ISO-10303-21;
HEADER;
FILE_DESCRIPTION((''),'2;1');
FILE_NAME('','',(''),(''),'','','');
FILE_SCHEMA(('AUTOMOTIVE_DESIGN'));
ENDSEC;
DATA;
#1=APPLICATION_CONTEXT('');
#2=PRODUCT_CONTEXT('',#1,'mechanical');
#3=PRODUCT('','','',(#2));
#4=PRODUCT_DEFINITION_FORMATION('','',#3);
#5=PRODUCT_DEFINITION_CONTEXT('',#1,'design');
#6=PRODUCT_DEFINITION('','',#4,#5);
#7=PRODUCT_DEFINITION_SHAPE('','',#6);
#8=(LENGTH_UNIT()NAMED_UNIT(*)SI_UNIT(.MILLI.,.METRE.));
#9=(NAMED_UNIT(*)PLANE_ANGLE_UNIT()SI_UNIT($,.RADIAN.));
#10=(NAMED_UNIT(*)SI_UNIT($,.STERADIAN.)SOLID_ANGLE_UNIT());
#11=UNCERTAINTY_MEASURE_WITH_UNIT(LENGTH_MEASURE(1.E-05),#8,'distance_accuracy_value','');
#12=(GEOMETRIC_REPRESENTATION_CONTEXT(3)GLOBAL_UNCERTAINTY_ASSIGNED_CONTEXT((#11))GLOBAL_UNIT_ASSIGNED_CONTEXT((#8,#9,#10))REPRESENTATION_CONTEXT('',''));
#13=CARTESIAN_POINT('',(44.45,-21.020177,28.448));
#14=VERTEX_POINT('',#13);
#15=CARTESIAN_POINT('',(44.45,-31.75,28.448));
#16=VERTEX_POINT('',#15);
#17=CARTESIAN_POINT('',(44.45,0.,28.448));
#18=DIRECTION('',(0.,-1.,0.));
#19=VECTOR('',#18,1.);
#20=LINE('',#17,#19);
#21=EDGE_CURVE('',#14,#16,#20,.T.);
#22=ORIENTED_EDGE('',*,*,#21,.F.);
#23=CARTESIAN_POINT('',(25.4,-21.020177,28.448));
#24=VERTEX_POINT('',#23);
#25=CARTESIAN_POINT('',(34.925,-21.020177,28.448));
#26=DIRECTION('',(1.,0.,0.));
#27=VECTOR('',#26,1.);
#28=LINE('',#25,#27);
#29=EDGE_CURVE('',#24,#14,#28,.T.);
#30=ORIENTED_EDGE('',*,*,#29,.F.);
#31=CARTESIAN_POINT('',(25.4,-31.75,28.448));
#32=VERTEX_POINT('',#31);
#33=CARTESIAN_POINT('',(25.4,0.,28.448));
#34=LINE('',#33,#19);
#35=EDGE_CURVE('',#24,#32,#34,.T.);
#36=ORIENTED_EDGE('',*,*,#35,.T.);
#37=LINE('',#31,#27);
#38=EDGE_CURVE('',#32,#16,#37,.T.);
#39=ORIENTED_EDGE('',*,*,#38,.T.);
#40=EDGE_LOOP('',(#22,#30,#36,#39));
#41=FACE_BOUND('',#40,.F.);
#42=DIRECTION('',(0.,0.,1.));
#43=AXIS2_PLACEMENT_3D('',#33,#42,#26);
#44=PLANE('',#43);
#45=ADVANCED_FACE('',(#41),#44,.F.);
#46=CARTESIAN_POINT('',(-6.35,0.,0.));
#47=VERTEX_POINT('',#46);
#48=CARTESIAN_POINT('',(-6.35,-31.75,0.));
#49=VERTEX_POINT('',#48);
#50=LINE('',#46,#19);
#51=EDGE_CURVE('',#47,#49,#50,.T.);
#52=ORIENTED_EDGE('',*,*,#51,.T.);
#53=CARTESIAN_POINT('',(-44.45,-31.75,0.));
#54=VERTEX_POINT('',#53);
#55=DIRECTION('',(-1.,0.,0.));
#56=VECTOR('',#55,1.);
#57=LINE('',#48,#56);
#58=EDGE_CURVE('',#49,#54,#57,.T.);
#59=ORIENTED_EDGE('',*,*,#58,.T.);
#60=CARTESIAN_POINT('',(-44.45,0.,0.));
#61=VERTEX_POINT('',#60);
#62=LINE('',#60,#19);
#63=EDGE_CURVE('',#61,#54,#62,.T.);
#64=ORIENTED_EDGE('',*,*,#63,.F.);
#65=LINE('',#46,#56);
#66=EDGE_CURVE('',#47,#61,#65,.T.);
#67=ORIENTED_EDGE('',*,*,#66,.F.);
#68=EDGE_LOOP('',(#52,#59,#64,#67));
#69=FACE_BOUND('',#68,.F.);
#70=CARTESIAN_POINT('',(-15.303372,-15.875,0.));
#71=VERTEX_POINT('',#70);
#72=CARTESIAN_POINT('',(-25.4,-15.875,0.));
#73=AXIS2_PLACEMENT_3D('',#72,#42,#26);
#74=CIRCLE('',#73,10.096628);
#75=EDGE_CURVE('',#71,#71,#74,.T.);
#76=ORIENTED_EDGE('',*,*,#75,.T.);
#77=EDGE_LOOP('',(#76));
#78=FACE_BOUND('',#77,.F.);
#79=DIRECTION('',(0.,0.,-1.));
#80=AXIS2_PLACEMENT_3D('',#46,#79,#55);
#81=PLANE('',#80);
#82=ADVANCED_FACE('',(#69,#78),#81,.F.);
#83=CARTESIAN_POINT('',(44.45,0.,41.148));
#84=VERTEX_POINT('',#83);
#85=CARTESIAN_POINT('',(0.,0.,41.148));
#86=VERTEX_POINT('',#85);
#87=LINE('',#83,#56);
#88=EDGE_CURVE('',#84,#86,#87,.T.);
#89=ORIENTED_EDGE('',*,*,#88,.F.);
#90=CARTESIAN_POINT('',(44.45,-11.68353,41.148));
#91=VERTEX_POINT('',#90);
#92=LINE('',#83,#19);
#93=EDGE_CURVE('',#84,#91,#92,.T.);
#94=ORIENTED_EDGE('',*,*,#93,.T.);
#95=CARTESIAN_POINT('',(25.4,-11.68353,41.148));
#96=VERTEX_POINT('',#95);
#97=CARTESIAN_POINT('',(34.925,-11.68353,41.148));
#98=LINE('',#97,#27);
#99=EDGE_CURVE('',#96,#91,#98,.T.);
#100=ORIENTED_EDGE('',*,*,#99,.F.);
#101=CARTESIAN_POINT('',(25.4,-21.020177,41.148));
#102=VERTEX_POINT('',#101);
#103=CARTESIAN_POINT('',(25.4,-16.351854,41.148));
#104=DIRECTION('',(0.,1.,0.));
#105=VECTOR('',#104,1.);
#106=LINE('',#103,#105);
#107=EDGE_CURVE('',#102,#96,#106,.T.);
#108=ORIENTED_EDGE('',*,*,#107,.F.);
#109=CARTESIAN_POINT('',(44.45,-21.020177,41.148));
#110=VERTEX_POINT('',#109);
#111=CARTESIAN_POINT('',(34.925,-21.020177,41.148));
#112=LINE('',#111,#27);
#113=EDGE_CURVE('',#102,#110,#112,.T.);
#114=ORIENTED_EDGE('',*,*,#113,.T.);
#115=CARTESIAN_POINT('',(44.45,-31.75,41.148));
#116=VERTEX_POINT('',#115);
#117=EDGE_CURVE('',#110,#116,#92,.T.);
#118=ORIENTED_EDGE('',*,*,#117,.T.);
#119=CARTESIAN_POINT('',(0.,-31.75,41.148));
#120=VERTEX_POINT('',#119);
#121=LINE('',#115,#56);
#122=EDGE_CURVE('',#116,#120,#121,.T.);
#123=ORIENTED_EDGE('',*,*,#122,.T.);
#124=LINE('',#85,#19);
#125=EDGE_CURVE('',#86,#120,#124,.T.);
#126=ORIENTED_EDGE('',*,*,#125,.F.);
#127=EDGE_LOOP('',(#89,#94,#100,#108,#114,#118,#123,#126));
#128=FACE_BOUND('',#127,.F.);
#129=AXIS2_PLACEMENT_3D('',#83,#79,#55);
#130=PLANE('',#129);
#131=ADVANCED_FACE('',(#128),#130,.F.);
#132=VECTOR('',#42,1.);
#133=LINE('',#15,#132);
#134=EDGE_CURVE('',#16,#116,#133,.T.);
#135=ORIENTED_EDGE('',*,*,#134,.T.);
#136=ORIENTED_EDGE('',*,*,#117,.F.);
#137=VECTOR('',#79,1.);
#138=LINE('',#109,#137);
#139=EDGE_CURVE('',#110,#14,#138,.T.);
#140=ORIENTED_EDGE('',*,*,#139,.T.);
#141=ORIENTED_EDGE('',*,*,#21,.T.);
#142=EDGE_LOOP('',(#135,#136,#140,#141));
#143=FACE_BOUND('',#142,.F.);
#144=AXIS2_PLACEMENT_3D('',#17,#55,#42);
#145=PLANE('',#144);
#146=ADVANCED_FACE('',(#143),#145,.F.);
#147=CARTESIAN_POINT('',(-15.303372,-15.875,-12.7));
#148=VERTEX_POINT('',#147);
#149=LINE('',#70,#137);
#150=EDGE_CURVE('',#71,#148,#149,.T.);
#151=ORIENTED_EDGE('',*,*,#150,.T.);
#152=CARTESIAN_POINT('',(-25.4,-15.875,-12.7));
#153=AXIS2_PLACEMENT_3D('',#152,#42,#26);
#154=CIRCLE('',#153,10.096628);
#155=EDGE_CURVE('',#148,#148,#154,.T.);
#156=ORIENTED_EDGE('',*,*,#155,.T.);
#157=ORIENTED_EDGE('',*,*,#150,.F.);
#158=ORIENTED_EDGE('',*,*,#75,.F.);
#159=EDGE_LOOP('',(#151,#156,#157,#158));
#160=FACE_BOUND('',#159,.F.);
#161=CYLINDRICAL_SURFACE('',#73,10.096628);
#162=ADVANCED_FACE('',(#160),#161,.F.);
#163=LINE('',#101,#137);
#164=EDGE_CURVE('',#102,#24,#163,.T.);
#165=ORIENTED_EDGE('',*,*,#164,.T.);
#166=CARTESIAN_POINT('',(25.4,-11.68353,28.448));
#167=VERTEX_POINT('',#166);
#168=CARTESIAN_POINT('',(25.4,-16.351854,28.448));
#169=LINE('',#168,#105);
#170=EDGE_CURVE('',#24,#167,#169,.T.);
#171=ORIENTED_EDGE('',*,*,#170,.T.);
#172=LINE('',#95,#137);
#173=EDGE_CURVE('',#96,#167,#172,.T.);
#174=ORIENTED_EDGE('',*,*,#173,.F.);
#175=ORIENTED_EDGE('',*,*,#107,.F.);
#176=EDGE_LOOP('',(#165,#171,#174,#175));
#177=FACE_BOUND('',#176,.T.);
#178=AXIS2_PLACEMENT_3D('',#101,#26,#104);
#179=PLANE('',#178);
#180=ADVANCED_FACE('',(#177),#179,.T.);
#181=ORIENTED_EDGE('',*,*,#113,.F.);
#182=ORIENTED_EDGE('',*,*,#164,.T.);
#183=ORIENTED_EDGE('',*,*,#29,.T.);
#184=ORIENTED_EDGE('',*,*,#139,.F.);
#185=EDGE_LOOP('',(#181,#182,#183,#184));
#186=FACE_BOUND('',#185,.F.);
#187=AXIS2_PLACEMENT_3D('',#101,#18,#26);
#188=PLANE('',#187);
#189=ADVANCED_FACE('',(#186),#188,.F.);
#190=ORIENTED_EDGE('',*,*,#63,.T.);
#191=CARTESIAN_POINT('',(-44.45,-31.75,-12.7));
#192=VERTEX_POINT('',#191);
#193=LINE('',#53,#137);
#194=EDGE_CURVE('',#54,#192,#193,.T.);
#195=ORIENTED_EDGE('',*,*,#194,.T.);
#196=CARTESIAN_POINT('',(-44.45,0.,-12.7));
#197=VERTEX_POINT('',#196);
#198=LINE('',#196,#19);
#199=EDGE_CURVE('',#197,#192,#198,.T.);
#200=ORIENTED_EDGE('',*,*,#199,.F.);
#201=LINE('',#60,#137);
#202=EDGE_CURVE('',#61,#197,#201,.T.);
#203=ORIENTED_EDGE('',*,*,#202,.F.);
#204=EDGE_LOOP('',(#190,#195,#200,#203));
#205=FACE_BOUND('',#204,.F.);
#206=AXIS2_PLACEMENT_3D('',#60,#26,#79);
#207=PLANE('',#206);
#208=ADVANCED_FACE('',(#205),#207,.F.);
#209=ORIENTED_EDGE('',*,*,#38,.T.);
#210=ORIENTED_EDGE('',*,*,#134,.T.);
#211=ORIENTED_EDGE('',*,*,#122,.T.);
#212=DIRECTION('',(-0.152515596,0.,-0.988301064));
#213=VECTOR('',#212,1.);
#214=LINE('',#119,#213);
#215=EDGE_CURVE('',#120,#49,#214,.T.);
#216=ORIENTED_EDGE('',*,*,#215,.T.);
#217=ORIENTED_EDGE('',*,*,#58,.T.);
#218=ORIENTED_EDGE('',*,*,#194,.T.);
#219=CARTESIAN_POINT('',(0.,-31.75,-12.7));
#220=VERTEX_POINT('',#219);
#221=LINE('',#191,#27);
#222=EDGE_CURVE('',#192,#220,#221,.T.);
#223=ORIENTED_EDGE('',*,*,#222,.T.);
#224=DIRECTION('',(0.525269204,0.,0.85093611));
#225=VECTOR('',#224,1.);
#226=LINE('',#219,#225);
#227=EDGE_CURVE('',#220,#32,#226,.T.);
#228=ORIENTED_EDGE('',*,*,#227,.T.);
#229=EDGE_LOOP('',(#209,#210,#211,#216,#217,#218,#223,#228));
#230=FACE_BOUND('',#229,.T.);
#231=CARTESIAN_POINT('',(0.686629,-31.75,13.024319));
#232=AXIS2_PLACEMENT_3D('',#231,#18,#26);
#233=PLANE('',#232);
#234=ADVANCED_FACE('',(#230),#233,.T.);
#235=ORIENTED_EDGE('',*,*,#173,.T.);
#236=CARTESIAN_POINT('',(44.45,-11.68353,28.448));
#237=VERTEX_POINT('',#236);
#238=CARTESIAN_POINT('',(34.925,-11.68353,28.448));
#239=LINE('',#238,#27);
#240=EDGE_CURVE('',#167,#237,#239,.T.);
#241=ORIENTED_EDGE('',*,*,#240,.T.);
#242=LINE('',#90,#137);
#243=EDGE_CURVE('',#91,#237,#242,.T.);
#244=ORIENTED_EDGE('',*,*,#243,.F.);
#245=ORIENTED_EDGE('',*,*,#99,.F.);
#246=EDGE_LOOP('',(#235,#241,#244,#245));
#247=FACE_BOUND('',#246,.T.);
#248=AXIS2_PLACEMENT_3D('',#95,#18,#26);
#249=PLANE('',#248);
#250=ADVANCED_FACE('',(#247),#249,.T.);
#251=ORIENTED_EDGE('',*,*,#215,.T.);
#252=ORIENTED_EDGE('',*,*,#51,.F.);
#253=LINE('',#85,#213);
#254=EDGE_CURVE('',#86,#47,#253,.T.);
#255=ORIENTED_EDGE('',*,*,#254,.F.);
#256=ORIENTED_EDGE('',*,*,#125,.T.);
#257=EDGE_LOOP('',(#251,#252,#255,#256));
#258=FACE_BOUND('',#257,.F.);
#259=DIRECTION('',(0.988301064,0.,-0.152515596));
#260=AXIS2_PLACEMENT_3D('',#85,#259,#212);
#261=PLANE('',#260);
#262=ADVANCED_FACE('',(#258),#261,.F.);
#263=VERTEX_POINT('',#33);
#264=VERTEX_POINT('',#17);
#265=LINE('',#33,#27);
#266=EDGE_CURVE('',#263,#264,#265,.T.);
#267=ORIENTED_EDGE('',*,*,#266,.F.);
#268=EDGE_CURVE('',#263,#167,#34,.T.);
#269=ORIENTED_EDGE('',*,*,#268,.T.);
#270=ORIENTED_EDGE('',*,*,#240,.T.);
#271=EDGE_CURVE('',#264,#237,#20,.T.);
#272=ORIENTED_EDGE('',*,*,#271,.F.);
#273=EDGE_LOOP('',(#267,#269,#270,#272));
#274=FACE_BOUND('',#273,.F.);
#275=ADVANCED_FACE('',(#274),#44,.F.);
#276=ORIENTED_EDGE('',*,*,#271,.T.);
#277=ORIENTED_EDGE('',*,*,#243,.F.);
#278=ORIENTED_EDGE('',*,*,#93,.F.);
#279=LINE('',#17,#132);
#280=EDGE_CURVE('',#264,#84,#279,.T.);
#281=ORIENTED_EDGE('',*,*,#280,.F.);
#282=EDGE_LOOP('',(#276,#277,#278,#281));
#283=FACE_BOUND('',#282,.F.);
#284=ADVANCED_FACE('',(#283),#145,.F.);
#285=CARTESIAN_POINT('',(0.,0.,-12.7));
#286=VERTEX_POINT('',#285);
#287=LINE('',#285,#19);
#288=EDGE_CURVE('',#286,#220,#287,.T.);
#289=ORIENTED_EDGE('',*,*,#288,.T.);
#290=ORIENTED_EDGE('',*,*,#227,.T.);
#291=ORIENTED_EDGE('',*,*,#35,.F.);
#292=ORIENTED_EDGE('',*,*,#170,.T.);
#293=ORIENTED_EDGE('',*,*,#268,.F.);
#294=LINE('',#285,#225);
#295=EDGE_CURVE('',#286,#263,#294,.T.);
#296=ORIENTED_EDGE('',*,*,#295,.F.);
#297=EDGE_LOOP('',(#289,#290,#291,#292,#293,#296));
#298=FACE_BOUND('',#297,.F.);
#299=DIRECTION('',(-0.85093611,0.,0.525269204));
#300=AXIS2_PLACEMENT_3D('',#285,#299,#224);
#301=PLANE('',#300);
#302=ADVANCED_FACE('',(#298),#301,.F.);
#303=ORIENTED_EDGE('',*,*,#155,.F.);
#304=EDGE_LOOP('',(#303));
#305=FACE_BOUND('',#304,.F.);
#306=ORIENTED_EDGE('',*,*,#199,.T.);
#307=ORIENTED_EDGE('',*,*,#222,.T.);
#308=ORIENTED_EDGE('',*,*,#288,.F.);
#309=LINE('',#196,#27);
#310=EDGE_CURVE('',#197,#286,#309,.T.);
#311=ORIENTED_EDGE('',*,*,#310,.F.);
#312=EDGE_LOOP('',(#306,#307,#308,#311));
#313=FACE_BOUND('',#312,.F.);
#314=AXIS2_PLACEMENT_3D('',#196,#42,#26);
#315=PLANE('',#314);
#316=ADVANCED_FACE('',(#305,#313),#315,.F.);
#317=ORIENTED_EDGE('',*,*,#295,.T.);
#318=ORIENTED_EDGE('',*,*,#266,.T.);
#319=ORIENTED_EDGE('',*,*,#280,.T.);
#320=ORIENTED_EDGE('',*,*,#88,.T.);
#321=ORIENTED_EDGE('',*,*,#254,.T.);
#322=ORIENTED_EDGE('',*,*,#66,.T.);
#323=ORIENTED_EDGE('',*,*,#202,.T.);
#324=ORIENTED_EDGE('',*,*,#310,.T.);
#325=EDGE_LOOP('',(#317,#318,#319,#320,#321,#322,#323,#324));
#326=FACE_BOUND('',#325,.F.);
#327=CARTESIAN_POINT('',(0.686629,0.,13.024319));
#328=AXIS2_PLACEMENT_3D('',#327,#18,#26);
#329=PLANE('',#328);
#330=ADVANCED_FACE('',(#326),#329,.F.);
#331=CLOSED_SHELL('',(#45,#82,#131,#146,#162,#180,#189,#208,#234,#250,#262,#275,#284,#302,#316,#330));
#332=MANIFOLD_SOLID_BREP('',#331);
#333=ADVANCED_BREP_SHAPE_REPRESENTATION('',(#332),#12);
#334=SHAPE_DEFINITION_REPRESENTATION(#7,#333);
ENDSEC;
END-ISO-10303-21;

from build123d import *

# Parameters (mm, degrees)
F1_DEPTH = 31.75
F2_R     = 10.096628
F3_DEPTH = 15.748
F4_W     = 19.05
F4_H     = 9.336647
F5_DEPTH = 12.7


with BuildPart() as f1:
    # F0 (on Front) → F1 (new body)
    with BuildSketch(Plane.XZ):
        Polygon((-6.35, 0), (-44.45, 0), (-44.45, -12.7), (0, -12.7), (25.4, 28.448), (44.45, 28.448), (44.45, 41.148), (0, 41.148), align=None)
    extrude(amount=F1_DEPTH)

    # F2 (on face) → F3 (cut)
    with BuildSketch(Plane.XY):
        with Locations((-25.4, -15.875)):
            Circle(F2_R)
    extrude(amount=-F3_DEPTH, mode=Mode.SUBTRACT)

    # F4 (on face) → F5 (cut)
    with BuildSketch(Plane.XY.offset(41.148)):
        with Locations((34.925, -16.351854)):
            Rectangle(F4_W, F4_H)
    extrude(amount=-F5_DEPTH, mode=Mode.SUBTRACT)


solid = f1.part
